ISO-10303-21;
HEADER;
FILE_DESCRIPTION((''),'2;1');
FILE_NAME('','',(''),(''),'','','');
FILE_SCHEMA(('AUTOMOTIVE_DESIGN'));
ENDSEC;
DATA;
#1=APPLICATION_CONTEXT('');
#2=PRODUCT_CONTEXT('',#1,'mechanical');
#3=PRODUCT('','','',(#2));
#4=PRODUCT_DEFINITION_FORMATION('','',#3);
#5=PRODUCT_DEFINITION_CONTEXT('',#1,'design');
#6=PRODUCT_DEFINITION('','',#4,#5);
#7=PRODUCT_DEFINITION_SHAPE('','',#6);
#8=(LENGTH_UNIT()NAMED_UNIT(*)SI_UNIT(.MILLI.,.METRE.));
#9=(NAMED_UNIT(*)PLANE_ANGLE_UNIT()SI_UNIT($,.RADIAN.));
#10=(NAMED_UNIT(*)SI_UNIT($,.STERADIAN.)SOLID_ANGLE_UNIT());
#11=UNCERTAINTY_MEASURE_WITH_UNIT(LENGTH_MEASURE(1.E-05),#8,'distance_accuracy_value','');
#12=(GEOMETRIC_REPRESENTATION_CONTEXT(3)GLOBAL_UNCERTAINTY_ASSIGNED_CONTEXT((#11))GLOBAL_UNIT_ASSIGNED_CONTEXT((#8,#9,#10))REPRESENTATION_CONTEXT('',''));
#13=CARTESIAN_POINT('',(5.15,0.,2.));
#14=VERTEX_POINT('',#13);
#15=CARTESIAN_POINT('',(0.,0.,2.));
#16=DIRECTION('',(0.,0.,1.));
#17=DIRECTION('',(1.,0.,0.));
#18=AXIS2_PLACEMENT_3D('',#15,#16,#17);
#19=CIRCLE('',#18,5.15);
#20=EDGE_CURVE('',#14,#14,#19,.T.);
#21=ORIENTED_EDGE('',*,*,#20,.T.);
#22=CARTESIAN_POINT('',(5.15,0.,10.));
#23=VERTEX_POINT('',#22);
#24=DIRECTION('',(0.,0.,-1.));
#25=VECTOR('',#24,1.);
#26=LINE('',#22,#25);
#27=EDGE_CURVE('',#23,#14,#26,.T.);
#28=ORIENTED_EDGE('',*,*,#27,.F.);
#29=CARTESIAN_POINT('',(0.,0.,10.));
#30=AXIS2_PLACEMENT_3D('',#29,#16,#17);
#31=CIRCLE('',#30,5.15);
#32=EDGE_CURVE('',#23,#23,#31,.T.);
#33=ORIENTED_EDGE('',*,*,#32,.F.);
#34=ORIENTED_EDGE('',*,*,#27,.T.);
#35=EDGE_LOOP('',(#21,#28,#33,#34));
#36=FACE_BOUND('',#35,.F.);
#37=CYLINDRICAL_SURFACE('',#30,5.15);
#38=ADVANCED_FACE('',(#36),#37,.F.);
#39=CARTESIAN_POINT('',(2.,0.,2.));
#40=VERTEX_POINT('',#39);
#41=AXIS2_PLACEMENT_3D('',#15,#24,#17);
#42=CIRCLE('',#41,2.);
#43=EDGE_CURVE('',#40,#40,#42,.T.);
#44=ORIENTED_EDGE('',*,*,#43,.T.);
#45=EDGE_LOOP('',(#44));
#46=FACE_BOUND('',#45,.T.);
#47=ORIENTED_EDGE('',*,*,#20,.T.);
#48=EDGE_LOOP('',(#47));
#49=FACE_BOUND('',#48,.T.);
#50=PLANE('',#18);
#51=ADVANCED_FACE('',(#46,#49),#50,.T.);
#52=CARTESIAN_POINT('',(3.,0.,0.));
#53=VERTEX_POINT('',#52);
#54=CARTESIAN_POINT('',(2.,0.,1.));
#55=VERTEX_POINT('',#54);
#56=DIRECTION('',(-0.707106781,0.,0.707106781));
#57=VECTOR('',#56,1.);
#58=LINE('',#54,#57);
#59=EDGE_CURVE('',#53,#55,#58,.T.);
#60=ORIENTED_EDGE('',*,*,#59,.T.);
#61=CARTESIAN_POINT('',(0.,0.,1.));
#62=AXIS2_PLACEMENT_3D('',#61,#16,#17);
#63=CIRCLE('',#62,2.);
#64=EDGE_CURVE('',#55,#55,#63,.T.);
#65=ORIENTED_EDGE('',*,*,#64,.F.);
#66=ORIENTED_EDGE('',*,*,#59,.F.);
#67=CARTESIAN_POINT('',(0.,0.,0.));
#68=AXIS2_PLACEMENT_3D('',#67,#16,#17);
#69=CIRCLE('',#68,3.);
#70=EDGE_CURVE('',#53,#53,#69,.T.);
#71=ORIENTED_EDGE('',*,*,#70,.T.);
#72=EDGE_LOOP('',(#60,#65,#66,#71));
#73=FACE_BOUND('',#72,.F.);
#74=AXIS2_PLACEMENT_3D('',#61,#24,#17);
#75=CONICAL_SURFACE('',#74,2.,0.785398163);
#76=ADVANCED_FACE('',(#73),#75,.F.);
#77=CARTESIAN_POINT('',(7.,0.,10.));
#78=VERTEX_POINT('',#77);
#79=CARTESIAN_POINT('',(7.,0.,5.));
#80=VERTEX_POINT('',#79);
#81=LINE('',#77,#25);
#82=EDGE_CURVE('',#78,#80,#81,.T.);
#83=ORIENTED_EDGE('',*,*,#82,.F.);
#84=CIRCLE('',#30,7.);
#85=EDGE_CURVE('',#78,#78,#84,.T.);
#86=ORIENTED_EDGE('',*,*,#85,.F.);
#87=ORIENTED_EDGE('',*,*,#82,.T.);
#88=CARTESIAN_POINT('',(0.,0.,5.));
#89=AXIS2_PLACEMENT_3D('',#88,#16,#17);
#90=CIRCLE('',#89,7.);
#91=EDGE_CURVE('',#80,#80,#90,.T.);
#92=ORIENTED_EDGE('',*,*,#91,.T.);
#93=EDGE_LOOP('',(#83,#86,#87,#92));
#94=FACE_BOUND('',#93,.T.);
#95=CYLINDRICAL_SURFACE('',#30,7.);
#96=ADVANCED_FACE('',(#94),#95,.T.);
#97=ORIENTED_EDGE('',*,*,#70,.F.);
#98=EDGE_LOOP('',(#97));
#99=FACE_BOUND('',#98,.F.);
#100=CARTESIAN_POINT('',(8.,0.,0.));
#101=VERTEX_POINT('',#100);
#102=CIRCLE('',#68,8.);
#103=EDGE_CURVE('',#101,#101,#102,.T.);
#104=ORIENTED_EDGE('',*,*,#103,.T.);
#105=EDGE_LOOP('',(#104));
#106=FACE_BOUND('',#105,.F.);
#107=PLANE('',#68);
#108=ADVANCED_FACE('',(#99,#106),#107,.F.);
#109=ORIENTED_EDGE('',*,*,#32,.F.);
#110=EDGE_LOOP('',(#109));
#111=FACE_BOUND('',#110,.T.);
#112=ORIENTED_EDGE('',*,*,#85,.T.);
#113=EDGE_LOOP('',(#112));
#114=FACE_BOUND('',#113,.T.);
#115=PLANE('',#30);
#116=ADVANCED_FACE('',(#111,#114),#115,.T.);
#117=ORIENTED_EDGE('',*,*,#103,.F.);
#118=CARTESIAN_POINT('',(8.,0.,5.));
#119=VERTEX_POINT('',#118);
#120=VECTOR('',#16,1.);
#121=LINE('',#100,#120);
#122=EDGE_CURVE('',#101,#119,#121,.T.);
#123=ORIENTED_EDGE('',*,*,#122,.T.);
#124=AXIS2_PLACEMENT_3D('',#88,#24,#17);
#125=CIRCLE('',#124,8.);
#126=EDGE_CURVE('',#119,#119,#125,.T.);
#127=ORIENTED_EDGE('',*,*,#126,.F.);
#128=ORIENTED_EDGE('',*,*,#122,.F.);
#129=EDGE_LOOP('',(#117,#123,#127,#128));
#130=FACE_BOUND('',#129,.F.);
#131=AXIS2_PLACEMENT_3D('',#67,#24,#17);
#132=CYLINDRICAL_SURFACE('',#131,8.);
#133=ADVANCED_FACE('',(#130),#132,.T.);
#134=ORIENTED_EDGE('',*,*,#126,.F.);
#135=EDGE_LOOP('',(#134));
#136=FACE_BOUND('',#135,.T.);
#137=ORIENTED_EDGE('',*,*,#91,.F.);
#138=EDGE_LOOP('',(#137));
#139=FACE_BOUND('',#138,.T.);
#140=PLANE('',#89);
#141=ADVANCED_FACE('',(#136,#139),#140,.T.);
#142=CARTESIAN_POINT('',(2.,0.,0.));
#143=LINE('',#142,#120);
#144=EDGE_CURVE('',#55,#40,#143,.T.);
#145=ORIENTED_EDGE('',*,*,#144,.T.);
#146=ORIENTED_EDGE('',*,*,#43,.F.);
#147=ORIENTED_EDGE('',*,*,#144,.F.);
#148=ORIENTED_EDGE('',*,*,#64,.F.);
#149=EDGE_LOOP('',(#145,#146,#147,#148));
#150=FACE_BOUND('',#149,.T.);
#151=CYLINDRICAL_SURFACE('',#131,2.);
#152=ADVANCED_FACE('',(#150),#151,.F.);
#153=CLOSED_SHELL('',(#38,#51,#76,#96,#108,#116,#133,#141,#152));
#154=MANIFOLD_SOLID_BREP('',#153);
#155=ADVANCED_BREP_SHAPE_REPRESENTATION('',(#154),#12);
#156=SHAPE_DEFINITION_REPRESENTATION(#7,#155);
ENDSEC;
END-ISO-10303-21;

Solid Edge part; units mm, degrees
sketch "Sketch1" plane through (0, 0, 0) normal (0, 0, 1) x (1, 0, 0)
  circle A0 centre (0, 0) radius 8
  circle A1 centre (0, 0) radius 2
extrude "Protrusion1" add sketch "Sketch1" along normal blind 10
sketch "Sketch2" plane through (0, 0, 10) normal (0, 0, 1) x (1, 0, 0)
  circle A0 centre (0, 0) radius 5.15
  dimension "D1" = 10.3
extrude "VaciadoExtruido_1" cut sketch "Sketch2" against normal blind 8
sketch "Sketch3" plane through (0, 0, 10) normal (0, 0, 1) x (1, 0, 0)
  circle A0 centre (0, 0) radius 7
extrude "VaciadoExtruido_2" cut sketch "Sketch3" against normal blind 5 flip side to cut
chamfer "Chaflán_1" distance 1 angle 45 1 edges at (-2, 0, 0)
